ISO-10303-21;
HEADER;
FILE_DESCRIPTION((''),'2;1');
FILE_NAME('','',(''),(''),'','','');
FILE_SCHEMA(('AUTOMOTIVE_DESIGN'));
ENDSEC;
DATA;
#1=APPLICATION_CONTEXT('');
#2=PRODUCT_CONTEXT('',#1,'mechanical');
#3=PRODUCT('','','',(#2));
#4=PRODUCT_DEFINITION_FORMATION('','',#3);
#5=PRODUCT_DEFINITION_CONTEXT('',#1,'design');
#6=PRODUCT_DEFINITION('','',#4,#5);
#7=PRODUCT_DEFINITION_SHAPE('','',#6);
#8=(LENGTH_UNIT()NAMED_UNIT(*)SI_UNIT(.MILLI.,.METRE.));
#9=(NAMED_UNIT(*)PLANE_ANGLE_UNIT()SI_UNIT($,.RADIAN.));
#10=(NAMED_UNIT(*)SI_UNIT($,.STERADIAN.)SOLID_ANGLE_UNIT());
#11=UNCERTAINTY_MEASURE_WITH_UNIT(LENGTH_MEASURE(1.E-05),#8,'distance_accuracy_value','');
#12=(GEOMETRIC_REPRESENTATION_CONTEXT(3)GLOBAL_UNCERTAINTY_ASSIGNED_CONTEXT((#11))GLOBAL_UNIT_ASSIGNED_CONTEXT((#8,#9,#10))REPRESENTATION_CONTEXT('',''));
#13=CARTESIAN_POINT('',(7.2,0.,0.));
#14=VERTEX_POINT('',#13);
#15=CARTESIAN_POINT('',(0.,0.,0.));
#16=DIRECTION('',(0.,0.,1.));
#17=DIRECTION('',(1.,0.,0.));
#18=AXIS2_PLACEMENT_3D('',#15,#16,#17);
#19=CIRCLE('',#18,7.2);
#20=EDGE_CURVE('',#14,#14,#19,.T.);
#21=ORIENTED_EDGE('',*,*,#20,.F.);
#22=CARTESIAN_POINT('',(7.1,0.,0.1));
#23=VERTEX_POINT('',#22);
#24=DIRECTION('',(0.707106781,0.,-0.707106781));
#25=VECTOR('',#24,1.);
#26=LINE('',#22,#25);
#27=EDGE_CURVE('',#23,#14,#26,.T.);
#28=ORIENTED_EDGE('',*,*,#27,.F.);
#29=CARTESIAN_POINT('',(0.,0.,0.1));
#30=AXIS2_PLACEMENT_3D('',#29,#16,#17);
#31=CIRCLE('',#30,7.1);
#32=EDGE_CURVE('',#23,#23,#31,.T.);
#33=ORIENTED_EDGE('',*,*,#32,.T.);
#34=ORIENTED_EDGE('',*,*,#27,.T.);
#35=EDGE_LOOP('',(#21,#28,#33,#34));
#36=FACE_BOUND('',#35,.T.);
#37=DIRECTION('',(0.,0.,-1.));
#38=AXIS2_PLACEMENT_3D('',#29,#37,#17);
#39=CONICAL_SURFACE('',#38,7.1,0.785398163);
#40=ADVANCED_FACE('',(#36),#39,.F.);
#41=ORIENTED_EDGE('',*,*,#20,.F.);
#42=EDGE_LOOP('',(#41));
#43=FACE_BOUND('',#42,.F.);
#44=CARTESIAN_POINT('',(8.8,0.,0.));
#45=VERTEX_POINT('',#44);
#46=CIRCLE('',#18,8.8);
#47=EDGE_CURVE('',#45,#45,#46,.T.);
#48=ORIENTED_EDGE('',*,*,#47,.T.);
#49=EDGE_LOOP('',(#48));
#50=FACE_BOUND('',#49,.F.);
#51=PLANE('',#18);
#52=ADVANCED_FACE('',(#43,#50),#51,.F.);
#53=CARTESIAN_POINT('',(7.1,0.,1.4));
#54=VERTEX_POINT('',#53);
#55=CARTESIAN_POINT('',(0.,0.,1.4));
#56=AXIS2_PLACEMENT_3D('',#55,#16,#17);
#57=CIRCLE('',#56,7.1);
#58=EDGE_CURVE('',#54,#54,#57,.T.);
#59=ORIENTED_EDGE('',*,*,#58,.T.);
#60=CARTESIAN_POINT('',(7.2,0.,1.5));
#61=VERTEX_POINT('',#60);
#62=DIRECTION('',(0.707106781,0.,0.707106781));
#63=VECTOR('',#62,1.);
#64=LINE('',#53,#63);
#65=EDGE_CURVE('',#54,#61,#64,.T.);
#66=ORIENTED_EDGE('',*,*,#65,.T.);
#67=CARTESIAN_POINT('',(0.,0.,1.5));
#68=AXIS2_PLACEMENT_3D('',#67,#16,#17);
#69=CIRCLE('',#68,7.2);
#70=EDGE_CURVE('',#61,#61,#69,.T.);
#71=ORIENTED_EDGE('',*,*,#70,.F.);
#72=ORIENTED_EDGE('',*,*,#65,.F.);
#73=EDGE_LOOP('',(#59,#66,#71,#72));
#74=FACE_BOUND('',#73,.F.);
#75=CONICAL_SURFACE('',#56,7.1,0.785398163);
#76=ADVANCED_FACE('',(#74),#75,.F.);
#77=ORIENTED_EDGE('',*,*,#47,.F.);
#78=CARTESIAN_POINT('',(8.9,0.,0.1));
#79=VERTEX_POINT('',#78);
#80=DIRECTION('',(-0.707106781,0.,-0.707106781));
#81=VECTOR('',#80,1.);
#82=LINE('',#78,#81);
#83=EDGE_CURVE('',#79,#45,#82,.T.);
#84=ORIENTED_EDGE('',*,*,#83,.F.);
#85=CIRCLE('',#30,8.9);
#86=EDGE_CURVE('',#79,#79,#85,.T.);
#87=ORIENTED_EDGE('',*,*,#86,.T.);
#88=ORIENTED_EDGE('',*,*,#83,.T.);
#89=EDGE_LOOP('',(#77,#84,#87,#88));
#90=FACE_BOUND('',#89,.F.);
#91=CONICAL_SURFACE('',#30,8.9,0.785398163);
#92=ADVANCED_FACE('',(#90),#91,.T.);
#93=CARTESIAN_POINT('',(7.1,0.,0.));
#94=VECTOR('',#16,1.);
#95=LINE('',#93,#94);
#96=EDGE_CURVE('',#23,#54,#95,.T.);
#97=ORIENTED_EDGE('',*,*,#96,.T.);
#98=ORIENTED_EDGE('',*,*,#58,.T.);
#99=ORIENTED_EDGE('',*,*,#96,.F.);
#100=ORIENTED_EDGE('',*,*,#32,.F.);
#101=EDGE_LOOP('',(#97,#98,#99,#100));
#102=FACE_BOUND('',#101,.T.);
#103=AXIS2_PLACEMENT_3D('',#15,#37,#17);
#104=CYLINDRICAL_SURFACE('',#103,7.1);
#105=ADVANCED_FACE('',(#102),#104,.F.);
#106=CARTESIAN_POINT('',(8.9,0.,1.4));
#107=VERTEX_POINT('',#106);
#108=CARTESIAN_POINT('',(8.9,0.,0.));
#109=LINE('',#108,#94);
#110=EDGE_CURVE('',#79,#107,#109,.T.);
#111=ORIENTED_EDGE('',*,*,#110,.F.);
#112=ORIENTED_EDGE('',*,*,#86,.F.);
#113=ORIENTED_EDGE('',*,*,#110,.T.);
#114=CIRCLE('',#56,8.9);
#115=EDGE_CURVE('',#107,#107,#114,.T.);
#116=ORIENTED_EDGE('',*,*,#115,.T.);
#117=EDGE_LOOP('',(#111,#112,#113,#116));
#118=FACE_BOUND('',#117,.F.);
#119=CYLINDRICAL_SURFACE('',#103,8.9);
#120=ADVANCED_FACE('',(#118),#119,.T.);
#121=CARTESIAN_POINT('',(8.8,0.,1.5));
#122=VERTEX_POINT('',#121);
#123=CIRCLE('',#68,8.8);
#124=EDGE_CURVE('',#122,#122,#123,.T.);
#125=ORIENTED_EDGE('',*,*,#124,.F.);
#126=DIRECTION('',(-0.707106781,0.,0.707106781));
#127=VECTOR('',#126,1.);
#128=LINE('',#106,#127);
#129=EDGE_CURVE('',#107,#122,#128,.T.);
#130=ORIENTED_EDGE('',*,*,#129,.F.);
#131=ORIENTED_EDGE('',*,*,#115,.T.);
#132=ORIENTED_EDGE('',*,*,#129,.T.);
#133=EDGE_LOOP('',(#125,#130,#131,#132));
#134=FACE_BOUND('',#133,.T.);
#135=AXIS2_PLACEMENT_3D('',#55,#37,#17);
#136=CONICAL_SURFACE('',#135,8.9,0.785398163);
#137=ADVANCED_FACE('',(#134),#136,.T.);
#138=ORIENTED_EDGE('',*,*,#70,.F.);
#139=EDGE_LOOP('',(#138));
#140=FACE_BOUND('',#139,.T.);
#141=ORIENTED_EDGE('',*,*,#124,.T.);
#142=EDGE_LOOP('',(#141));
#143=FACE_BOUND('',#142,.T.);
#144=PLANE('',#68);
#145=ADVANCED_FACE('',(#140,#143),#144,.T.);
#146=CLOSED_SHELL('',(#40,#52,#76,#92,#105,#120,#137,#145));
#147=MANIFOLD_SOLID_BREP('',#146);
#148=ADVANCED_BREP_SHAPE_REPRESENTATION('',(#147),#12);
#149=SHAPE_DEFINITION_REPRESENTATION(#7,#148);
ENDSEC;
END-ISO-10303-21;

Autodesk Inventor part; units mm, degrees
ref_plane "YZ Plane" through (0, 0, 0) normal (1, 0, 0) x (0, 1, 0)
ref_plane "XZ Plane" through (0, 0, 0) normal (0, 1, 0) x (-1, 0, 0)
ref_plane "XY Plane" through (0, 0, 0) normal (0, 0, 1) x (1, 0, 0)
sketch "Esboço1" plane through (0, 0, 0) normal (0, 0, 1) x (1, 0, 0)
  circle A0 centre (0, 0) radius 7.1
  circle A1 centre (0, 0) radius 8.9
  dimension "d0" = 14.2
  dimension "d1" = 17.8
extrude "Extrusão1" add sketch "Esboço1" along normal blind 1.5
chamfer "Chanfro1" distance 0.1 angle 45 4 edges at (-8.9, 0, 1.5) (-8.9, 0, 0) (-7.1, 0, 1.5) (-7.1, 0, 0)
